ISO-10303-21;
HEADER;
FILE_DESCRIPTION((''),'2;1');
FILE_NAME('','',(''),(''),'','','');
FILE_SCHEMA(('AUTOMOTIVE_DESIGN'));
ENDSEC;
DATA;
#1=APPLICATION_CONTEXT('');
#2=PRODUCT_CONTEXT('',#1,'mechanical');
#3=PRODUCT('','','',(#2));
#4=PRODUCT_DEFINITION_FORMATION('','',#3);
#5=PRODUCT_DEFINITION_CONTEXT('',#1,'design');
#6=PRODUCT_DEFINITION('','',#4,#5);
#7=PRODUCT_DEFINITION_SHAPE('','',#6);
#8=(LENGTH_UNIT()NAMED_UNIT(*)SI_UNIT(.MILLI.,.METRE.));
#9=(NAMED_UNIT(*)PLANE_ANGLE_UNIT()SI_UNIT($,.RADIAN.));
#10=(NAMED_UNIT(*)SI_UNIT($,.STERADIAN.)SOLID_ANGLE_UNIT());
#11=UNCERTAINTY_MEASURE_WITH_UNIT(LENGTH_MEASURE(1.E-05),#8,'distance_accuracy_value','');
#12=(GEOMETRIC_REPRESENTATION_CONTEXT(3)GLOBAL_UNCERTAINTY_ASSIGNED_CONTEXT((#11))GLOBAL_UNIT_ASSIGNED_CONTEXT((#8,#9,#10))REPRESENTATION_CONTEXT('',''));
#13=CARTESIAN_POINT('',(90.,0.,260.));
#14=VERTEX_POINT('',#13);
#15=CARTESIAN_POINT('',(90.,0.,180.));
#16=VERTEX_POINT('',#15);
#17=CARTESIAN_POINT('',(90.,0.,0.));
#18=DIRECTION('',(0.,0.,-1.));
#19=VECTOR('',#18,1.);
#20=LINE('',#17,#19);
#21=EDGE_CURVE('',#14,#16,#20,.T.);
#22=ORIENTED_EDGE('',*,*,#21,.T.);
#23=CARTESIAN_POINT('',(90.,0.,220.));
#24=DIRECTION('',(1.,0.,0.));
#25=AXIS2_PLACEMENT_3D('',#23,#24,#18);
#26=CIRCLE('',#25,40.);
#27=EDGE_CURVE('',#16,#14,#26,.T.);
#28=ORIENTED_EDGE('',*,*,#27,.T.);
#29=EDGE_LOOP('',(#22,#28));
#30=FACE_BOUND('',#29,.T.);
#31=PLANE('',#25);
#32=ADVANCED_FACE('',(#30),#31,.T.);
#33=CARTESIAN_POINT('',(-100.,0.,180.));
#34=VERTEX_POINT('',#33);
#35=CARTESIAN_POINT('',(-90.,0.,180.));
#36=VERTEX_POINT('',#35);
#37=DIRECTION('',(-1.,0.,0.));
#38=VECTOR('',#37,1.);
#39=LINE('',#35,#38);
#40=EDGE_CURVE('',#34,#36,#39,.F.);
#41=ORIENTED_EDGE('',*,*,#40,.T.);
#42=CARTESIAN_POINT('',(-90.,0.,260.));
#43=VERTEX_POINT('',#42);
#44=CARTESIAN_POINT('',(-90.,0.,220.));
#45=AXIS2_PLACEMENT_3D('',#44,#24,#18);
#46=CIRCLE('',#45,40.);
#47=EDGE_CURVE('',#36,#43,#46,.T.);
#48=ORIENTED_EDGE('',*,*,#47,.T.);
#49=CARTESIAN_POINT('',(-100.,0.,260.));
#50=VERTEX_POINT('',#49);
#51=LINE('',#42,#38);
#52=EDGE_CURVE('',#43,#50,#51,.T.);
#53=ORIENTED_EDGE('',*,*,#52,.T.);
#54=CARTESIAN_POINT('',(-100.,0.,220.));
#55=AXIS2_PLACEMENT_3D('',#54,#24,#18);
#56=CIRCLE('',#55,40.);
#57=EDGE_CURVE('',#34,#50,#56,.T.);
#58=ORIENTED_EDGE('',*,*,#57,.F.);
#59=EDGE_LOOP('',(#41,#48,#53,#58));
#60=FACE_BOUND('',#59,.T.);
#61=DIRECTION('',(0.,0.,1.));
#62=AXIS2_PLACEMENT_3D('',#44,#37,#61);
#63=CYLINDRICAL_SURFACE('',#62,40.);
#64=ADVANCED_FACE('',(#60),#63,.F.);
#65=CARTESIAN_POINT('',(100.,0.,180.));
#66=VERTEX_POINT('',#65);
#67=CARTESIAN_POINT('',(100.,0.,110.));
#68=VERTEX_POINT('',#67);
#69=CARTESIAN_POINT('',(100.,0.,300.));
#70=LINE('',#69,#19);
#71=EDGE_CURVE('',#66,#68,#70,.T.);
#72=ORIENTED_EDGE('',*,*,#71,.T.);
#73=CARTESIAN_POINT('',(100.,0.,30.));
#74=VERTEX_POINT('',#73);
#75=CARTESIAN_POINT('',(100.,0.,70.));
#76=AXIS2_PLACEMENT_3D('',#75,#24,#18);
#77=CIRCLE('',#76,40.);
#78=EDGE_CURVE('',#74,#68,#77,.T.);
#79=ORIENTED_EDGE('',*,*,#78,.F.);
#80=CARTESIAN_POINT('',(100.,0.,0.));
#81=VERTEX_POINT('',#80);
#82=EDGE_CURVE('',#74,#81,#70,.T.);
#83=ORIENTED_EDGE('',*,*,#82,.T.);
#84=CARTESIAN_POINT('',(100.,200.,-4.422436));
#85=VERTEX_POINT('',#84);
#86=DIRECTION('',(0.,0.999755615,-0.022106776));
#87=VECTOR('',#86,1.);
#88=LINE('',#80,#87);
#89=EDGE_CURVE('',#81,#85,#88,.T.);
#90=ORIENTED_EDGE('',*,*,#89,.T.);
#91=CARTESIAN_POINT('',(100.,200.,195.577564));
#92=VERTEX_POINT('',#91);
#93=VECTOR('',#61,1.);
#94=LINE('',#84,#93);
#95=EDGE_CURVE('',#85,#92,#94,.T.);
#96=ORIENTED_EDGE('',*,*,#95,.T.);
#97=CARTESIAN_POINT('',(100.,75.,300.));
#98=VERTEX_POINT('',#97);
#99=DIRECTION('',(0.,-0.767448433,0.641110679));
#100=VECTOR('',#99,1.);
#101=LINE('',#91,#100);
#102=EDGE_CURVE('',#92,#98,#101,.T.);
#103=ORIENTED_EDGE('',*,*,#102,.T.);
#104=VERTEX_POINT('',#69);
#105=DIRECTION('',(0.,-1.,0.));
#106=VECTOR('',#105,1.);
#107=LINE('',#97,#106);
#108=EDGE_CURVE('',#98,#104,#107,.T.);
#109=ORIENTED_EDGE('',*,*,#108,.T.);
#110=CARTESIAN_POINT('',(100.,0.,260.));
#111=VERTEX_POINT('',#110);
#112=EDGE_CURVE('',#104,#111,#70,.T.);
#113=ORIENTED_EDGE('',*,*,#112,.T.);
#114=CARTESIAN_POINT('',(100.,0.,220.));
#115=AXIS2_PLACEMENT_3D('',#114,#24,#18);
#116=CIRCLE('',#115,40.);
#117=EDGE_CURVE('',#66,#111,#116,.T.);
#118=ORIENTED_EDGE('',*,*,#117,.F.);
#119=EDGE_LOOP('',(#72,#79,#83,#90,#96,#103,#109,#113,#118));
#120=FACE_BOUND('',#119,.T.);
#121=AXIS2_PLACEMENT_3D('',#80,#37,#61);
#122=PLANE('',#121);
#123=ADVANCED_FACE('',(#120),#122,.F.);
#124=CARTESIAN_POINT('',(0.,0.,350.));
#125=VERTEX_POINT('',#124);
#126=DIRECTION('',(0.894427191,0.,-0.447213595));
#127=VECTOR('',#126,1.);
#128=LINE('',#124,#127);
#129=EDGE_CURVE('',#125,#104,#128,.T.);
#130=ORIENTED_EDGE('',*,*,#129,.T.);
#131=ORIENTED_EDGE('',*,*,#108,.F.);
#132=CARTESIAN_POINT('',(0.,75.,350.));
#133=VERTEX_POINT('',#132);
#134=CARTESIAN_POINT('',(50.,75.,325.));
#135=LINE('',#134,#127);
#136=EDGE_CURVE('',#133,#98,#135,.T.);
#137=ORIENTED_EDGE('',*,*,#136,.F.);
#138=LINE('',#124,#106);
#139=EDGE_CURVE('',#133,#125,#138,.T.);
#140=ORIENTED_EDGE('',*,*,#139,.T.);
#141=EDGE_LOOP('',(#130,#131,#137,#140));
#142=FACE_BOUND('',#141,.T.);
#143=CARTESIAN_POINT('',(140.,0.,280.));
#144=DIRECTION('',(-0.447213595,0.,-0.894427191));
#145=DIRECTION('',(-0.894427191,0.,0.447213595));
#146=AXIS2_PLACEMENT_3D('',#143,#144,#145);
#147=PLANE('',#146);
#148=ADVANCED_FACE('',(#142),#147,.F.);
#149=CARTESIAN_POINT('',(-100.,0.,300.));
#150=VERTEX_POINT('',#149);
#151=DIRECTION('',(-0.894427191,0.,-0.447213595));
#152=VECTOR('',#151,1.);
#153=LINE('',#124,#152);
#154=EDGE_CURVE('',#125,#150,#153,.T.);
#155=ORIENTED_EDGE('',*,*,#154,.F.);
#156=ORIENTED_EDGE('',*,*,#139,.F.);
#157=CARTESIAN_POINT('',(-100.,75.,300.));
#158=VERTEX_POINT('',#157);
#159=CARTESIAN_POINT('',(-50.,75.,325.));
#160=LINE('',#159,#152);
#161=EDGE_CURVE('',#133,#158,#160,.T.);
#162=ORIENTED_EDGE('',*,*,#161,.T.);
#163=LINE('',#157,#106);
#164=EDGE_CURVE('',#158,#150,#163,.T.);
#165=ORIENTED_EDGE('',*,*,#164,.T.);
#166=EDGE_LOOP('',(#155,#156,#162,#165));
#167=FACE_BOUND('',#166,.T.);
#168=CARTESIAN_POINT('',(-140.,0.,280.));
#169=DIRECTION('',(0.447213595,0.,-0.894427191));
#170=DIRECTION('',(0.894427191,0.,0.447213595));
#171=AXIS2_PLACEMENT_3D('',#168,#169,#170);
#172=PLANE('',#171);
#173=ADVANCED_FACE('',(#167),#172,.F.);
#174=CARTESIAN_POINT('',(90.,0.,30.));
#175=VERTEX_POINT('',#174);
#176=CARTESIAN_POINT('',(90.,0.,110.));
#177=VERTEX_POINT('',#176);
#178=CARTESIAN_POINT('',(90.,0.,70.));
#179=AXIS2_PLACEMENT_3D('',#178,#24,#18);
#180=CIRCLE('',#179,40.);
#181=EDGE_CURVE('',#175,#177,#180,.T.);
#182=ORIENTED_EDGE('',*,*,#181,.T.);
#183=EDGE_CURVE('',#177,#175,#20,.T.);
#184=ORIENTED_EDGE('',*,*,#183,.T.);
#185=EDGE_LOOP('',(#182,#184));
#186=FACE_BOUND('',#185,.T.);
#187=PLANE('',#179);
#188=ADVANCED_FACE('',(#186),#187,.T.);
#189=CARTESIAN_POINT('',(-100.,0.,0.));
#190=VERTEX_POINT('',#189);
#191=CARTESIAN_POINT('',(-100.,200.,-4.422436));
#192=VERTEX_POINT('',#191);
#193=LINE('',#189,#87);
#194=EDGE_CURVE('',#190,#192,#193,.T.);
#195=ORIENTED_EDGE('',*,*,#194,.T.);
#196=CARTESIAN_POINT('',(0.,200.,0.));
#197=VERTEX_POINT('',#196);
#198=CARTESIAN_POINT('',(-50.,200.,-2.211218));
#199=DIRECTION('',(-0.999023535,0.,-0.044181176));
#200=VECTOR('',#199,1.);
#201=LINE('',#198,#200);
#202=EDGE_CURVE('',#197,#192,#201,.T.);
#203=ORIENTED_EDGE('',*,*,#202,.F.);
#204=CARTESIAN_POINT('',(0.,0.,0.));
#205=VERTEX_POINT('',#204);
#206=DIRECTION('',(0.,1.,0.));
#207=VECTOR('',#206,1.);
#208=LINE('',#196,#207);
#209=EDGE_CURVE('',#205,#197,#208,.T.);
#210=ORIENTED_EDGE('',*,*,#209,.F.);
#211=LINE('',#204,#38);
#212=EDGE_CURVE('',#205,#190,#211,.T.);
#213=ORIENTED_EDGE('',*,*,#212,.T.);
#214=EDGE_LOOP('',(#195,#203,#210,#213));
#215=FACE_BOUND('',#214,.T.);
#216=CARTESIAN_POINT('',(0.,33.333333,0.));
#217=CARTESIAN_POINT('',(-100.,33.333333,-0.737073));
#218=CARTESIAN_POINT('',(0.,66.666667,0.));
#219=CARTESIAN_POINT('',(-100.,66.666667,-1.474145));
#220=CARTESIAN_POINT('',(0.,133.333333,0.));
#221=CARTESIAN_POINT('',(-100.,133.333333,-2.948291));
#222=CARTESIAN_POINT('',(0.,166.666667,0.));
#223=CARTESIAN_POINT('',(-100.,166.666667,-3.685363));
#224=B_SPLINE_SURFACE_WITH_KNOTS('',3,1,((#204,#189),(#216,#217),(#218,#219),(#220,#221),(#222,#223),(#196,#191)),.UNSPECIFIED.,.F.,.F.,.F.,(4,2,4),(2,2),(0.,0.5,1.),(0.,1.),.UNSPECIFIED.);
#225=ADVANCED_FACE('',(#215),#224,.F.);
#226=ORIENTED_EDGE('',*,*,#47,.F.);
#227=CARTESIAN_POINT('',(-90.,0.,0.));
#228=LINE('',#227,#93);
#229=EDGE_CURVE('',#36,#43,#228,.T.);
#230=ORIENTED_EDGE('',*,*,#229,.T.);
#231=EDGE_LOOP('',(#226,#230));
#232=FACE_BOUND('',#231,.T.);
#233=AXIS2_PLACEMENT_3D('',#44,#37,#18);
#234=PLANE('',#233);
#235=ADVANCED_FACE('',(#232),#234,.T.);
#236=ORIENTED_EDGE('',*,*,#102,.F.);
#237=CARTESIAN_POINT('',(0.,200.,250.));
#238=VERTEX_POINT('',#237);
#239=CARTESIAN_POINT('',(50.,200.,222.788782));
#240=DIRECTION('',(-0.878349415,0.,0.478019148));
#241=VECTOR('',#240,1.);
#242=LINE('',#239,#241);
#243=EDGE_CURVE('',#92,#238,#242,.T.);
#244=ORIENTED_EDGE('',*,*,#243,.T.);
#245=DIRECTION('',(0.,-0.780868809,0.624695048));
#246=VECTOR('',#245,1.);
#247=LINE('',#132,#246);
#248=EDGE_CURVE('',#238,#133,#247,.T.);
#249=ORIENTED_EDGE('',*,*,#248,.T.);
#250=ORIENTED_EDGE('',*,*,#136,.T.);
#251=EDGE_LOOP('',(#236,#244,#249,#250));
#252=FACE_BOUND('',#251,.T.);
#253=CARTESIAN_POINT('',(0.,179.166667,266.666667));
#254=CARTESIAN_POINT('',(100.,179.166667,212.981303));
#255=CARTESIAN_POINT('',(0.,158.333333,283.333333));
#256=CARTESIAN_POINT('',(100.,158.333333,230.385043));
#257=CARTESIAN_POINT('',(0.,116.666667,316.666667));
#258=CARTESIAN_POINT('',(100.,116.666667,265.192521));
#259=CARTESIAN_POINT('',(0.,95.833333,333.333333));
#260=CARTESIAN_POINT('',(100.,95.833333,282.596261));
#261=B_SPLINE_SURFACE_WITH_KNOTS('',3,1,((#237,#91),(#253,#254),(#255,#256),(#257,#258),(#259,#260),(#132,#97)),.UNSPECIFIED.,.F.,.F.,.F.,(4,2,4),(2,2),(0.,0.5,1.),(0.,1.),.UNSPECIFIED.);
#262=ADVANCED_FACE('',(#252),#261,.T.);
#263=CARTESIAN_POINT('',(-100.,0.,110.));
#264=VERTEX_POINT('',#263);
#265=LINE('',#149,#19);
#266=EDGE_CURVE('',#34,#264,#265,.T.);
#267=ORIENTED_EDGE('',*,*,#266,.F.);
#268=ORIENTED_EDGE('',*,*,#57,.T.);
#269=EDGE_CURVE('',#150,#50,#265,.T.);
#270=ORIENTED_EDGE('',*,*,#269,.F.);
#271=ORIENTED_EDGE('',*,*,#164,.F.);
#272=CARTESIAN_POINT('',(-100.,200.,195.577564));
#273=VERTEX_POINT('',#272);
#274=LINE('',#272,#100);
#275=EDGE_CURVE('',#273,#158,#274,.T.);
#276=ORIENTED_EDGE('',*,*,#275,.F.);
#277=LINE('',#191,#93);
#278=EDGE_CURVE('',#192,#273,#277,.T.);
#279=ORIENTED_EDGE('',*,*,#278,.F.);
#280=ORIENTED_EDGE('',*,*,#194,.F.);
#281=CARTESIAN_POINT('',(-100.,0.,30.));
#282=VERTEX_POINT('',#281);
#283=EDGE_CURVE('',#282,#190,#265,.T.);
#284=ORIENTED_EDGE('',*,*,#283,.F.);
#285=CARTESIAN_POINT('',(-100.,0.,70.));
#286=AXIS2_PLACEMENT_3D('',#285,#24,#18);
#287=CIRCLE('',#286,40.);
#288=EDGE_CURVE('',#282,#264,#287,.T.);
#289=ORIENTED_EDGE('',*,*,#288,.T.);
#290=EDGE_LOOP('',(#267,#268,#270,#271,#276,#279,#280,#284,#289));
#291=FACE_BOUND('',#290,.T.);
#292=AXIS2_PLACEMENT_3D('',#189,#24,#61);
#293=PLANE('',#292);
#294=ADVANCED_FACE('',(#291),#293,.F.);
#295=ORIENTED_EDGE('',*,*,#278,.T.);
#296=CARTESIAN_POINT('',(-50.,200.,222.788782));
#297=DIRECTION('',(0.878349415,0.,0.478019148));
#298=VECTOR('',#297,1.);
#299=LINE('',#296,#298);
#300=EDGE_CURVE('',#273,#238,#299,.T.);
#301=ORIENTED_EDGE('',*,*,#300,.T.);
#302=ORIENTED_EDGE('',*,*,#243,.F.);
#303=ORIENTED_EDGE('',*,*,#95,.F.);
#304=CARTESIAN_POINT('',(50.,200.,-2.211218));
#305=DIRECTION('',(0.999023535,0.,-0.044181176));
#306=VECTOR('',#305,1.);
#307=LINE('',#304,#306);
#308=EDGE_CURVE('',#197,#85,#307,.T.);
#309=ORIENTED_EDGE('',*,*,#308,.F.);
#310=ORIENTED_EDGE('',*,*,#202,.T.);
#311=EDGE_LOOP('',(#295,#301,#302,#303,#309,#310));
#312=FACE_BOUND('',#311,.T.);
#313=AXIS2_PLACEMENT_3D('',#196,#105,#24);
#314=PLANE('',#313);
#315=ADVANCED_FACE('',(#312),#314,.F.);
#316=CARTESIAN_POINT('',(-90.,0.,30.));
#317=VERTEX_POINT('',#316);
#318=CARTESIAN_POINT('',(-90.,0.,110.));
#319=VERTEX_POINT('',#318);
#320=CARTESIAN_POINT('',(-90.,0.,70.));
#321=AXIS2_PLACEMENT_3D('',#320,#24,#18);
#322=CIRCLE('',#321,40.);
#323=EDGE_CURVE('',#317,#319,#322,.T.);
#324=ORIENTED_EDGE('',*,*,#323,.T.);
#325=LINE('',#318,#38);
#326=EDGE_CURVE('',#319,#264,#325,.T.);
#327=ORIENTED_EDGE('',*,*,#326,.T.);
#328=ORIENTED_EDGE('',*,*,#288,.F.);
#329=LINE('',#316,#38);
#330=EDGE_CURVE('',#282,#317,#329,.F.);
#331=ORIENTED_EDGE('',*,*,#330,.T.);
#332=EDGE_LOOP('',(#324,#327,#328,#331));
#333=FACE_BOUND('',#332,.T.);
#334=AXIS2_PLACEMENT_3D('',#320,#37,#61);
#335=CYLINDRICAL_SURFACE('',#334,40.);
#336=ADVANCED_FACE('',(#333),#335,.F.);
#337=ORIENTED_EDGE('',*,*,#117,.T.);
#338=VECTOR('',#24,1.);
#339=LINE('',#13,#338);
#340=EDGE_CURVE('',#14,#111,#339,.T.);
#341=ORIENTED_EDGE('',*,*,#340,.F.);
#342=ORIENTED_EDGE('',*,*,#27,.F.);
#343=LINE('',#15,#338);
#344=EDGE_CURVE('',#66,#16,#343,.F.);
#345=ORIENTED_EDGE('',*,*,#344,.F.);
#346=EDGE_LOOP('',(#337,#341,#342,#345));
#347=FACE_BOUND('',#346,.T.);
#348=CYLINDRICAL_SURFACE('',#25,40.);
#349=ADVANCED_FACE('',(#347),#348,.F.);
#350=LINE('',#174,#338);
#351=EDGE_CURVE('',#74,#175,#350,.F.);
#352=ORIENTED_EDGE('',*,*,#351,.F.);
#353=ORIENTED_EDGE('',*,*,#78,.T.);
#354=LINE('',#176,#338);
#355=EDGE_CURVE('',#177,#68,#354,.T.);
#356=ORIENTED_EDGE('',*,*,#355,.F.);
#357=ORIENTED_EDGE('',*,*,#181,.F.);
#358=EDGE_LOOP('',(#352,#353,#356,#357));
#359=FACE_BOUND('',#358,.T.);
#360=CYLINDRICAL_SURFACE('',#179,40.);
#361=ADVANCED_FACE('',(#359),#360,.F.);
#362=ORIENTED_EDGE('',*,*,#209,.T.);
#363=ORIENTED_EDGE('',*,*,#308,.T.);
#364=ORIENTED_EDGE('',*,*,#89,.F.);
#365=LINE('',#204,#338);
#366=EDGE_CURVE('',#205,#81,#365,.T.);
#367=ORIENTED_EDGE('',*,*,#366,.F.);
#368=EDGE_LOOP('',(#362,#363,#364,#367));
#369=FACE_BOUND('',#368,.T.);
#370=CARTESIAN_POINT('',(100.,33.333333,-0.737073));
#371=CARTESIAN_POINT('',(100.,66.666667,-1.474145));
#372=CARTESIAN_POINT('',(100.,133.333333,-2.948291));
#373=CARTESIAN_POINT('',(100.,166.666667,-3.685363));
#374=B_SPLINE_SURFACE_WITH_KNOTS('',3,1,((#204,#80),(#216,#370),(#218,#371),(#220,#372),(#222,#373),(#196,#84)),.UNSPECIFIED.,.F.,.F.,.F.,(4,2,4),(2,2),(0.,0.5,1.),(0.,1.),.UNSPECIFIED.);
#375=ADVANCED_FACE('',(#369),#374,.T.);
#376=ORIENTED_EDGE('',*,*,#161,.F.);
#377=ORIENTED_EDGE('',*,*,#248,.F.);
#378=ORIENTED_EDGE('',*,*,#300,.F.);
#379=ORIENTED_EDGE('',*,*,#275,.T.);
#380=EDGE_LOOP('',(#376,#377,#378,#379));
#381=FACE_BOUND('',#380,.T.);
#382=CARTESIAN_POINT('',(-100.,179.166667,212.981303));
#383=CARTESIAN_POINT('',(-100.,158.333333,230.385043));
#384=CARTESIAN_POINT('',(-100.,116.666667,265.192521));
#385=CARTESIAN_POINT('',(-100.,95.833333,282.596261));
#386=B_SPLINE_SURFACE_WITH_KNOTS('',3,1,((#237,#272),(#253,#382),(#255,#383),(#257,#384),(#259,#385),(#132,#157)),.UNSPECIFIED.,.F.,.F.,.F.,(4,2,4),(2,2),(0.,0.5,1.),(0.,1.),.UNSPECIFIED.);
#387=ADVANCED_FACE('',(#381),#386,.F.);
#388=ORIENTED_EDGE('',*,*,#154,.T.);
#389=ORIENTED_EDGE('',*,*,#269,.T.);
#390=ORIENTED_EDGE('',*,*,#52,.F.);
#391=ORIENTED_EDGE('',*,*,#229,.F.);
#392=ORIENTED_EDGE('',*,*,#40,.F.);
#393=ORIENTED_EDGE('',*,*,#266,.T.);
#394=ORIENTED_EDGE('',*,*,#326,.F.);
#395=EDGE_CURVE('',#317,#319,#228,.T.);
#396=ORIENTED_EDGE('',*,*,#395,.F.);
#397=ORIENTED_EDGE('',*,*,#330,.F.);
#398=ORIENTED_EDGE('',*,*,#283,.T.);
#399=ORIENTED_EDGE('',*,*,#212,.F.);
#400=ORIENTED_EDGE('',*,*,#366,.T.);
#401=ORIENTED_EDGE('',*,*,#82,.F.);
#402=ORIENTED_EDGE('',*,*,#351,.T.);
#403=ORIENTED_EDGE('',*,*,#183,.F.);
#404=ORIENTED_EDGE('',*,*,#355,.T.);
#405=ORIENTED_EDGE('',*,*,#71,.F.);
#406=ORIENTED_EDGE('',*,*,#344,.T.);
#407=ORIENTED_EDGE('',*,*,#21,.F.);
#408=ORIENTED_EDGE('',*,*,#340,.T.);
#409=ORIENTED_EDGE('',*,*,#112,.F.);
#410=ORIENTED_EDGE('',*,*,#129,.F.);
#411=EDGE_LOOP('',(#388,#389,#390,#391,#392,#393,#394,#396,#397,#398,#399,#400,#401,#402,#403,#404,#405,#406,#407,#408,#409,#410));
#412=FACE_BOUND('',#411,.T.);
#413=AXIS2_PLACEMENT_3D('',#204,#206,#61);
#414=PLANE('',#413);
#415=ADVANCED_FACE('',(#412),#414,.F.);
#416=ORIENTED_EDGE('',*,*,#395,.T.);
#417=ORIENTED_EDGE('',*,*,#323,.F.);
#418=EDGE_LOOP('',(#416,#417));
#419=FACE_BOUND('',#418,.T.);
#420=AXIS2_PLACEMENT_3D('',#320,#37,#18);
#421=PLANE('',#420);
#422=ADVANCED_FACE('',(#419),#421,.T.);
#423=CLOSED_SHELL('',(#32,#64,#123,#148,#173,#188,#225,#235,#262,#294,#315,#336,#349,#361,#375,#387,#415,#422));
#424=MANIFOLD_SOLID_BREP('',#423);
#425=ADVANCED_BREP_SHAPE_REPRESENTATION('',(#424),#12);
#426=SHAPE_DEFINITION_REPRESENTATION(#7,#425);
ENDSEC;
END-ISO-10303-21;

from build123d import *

# Parameters (mm, degrees)
SKETCH3_R          = 40
CUT_EXTRUDE1_DEPTH = 10


with BuildPart() as part:
    # Sketch1 → Loft1 section 0
    with BuildSketch(Plane(origin=(0, 0, 0), x_dir=(0, 0, -1), z_dir=(1, 0, 0))):
        with BuildLine():
            Line((0, 0), (-350, 0))
            Line((-350, 0), (-350, 75))
            Line((-350, 75), (-250, 200))
            Line((-250, 200), (0, 200))
            Line((0, 200), (0, 0))
        make_face()
    # Sketch2 → Loft1 section 1
    with BuildSketch(Plane(origin=(100, 0, 0), x_dir=(0, 0, -1), z_dir=(1, 0, 0))):
        with BuildLine():
            Line((0, 0), (4.422435972, 200))
            Line((4.422435972, 200), (-195.577564028, 200))
            Line((-195.577564028, 200), (-300, 75))
            Line((-300, 75), (-300, 0))
            Line((-300, 0), (0, 0))
        make_face()
    loft1 = loft()

    # Sketch3 → Cut-Extrude1 (cut)
    with BuildSketch(Plane(origin=(100, 0, 0), x_dir=(0, 0, -1), z_dir=(1, 0, 0))):
        with Locations((-220, 0)):
            Circle(SKETCH3_R)
        with Locations((-70, 0)):
            Circle(SKETCH3_R)
    cut_extrude1 = extrude(amount=-CUT_EXTRUDE1_DEPTH, mode=Mode.SUBTRACT)

    # Mirror2: Loft1, Cut-Extrude1 across plane
    add(loft1.mirror(Plane.ZY))
    add(cut_extrude1.mirror(Plane.ZY), mode=Mode.SUBTRACT)


solid = part.part
